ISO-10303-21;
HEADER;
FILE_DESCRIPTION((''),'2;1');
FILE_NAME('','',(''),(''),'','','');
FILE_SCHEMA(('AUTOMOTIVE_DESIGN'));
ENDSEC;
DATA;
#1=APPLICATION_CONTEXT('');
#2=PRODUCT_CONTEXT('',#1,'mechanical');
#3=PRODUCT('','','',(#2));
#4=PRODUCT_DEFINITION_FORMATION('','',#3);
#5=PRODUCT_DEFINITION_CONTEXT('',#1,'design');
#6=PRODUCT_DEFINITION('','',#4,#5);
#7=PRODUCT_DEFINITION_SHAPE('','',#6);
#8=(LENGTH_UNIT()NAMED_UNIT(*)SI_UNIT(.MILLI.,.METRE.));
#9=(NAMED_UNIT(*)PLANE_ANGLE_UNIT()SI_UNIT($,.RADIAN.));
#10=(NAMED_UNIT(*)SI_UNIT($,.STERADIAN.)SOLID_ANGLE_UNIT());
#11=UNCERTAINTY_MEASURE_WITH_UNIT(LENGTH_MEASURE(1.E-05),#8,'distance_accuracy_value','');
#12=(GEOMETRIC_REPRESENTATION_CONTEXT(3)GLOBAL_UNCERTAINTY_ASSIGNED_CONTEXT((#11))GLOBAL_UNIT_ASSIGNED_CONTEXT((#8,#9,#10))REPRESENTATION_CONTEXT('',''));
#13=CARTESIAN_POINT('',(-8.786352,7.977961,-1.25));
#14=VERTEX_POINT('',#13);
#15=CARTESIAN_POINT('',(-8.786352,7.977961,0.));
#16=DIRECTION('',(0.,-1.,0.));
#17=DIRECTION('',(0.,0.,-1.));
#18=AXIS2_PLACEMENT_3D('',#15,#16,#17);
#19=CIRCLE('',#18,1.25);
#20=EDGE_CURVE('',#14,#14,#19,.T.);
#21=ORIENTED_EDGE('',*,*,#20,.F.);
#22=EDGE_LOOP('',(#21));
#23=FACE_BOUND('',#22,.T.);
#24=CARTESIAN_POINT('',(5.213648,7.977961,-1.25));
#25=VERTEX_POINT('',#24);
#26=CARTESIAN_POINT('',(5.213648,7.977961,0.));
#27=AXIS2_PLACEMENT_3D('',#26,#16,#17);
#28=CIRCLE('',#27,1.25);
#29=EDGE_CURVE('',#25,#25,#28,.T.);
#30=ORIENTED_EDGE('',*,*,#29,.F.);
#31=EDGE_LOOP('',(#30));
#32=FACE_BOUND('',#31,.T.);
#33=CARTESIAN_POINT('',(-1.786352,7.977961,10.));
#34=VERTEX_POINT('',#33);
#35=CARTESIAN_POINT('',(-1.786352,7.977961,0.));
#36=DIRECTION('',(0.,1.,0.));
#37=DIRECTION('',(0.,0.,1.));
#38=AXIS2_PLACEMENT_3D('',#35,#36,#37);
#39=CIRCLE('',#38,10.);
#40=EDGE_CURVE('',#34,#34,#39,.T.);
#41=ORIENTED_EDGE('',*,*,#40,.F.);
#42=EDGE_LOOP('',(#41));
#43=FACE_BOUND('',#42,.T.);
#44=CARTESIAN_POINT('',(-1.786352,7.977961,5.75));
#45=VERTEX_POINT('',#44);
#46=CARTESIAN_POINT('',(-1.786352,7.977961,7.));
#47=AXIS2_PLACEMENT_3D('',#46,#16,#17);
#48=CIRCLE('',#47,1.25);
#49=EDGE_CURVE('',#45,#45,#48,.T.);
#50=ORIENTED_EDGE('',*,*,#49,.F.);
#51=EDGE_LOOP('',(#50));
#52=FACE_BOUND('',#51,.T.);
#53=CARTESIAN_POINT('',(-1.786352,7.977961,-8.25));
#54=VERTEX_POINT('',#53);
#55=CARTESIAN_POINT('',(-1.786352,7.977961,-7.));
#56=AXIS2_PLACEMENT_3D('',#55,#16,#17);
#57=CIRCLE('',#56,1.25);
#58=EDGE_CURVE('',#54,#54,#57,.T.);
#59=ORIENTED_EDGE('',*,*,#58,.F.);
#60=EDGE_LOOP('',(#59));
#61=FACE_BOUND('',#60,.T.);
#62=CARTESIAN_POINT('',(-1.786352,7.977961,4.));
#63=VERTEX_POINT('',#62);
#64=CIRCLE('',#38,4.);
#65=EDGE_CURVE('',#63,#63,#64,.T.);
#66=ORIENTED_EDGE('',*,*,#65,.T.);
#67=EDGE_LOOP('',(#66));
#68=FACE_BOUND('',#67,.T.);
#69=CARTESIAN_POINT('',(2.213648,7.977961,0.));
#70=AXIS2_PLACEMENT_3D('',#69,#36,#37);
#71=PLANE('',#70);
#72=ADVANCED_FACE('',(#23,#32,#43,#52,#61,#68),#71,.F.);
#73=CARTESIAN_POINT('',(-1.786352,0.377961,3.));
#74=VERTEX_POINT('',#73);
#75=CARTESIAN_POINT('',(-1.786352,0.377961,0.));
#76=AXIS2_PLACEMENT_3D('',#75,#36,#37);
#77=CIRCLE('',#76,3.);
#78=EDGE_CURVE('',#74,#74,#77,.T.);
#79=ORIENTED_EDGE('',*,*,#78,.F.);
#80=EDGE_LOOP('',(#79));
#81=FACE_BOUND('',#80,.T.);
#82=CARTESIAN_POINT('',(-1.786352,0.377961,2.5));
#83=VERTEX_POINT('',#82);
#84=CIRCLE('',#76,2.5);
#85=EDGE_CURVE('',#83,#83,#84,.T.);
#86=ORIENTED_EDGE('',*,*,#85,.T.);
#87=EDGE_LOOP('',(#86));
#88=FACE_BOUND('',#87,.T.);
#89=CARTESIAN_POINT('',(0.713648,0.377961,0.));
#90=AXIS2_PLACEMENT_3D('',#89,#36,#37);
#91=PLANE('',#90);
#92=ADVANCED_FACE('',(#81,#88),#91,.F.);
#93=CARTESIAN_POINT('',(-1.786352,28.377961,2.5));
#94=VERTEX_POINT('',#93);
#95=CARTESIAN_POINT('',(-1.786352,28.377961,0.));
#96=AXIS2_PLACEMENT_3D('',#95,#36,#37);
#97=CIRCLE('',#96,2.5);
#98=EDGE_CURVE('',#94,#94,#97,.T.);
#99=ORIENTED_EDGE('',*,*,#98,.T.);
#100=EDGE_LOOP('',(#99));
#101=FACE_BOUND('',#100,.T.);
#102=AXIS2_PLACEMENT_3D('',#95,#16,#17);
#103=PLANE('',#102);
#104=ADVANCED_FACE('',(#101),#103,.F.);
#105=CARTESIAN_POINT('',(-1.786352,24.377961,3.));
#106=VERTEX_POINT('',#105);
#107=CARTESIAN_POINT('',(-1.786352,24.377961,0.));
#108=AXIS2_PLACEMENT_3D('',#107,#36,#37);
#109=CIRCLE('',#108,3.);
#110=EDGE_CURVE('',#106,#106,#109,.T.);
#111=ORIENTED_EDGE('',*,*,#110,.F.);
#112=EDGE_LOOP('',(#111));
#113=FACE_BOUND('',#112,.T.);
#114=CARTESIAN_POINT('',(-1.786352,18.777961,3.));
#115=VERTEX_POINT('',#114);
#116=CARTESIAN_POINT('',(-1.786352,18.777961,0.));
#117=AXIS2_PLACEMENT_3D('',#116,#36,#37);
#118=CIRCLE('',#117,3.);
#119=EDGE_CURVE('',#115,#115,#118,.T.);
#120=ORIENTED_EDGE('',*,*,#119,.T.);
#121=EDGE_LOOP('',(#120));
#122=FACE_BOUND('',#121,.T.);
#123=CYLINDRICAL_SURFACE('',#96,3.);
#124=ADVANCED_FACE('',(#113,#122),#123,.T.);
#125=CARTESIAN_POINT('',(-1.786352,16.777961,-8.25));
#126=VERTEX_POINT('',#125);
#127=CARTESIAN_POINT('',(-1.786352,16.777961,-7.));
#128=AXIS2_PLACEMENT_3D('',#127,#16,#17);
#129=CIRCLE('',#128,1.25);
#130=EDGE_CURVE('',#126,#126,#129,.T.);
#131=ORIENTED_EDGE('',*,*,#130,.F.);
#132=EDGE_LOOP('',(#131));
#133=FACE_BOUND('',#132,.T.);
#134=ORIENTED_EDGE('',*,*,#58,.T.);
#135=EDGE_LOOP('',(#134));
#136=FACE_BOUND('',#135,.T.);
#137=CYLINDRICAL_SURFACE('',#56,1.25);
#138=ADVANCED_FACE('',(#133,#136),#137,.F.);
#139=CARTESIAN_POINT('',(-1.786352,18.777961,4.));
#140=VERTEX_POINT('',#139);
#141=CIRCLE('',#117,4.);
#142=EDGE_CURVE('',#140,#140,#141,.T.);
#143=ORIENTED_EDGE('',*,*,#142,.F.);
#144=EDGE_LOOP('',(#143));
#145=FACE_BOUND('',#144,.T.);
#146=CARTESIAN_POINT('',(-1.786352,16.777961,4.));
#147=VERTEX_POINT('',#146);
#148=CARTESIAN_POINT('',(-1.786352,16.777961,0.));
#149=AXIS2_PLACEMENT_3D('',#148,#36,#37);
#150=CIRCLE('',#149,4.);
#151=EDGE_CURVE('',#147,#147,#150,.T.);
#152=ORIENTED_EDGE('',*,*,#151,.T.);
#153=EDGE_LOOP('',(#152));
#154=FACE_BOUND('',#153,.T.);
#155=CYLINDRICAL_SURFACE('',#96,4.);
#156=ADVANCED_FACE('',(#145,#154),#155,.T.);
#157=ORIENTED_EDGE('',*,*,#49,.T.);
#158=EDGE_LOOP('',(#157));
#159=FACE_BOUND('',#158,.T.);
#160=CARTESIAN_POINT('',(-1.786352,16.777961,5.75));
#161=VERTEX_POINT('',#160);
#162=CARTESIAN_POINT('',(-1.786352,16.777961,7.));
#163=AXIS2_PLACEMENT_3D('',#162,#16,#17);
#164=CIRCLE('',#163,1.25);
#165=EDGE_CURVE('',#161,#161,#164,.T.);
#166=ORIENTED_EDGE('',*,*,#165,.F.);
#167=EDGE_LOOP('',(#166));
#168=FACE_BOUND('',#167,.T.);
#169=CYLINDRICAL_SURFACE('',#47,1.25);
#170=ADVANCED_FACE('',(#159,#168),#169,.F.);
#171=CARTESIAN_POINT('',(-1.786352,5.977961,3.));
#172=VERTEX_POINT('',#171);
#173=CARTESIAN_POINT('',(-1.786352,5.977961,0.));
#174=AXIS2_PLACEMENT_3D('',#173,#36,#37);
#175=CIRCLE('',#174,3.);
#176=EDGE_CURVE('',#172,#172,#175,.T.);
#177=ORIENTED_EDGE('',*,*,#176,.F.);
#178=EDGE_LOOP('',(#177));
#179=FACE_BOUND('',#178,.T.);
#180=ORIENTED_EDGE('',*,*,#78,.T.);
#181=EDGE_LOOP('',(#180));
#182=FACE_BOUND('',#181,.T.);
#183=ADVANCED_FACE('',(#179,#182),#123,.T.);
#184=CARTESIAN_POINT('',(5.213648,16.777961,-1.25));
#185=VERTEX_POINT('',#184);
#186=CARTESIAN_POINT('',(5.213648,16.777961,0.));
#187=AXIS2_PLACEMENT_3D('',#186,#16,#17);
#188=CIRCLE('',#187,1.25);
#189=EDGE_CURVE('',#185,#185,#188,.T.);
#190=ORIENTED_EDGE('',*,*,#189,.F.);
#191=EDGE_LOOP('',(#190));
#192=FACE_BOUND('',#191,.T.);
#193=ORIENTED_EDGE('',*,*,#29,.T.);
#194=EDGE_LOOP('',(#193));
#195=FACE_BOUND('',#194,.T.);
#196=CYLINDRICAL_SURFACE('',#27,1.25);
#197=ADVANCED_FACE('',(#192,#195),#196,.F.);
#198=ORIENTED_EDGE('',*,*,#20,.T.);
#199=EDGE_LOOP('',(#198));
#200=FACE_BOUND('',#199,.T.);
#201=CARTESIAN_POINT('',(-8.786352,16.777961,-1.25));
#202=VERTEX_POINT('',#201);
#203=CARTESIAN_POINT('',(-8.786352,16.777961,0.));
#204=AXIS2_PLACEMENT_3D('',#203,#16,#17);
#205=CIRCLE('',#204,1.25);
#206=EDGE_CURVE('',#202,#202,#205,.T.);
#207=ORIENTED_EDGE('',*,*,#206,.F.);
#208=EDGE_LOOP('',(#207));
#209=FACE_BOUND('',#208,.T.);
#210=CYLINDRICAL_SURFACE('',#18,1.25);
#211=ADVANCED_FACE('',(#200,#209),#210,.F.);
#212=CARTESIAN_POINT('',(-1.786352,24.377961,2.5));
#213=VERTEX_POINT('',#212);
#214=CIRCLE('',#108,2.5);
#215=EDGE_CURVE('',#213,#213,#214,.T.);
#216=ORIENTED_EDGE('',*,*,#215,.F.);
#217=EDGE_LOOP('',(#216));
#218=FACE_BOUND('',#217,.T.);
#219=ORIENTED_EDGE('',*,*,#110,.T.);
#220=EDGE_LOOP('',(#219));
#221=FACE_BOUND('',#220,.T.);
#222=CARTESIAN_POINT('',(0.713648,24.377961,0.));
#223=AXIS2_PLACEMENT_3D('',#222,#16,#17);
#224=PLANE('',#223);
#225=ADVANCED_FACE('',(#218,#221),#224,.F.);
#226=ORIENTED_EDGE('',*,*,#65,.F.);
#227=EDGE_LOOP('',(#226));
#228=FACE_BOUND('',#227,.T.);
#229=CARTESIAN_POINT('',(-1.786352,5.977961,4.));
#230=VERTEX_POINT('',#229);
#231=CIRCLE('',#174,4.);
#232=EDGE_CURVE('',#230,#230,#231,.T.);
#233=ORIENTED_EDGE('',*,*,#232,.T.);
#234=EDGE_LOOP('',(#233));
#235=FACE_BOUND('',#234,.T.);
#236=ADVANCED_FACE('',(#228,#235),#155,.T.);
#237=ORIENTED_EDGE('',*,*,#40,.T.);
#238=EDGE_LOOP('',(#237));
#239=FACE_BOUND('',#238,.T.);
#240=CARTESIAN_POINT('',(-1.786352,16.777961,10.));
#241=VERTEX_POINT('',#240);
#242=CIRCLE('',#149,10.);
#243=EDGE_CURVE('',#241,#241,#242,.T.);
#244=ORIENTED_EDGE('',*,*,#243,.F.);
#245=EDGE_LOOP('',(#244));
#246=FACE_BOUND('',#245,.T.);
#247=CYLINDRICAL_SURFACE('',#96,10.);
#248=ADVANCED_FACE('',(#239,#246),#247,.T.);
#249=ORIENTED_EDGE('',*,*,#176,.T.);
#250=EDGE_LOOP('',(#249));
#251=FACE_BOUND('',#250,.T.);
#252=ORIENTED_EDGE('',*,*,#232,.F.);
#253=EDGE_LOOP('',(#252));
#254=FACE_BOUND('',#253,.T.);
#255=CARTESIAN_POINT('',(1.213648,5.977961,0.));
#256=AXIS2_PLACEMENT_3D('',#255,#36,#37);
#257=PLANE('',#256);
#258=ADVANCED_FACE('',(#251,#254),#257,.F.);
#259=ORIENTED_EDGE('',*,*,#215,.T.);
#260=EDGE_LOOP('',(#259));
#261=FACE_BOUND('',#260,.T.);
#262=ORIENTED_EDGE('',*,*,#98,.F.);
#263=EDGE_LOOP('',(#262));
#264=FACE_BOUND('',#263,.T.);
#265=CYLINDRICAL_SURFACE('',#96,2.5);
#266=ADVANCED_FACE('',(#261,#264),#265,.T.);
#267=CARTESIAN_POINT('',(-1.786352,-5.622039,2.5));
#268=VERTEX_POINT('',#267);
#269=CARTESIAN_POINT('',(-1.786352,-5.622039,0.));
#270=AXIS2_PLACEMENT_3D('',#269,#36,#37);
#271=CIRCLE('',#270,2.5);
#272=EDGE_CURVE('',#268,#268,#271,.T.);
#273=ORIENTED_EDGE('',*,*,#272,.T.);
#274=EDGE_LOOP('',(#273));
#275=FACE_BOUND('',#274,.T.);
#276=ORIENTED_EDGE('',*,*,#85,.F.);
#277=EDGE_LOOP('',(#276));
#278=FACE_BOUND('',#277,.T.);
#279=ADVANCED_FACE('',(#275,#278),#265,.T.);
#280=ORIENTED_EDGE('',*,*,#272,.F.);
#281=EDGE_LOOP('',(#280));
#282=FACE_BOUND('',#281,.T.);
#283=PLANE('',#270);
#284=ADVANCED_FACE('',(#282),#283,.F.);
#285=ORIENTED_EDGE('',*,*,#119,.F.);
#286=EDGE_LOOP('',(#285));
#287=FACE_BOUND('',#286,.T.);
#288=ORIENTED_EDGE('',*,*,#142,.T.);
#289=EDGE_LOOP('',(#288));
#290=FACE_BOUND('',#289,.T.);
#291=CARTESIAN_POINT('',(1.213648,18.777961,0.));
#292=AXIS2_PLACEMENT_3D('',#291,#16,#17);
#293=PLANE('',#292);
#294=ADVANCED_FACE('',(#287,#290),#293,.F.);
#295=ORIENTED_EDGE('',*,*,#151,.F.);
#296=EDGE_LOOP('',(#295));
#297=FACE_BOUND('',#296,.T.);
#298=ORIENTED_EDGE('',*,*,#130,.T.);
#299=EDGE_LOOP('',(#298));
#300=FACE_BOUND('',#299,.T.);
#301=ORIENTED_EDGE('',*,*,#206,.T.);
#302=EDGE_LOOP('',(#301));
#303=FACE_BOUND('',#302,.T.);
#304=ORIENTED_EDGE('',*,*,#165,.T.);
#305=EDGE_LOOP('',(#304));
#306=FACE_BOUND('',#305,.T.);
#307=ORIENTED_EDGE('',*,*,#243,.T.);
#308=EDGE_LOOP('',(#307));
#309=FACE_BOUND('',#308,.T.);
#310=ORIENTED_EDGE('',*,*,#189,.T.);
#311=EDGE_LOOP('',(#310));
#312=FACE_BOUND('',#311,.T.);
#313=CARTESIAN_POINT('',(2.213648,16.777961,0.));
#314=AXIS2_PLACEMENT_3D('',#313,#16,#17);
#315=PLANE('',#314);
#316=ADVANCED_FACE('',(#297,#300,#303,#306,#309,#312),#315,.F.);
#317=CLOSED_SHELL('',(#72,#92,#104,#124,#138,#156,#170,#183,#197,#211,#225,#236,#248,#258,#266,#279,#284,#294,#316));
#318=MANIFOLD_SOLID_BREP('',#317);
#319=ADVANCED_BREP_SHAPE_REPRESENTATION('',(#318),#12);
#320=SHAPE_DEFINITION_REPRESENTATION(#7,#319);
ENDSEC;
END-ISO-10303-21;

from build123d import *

# Parameters (mm, degrees)
HOLE_WIZARD_M3_1_D       = 2.5
PATTERN_CIRCULAR_1_COUNT = 4


with BuildPart() as part:
    # Model → 旋转1 (revolve)
    with BuildSketch(Plane.XY, mode=Mode.PRIVATE) as revolve_1_sk:
        Polygon((-1.786351506, 28.377960803), (-1.786351506, -5.622039197), (0.713648494, -5.622039197), (0.713648494, 0.377960803), (1.213648494, 0.377960803), (1.213648494, 5.977960803), (2.213648494, 5.977960803), (2.213648494, 7.977960803), (8.213648494, 7.977960803), (8.213648494, 16.777960803), (2.213648494, 16.777960803), (2.213648494, 18.777960803), (1.213648494, 18.777960803), (1.213648494, 24.377960803), (0.713648494, 24.377960803), (0.713648494, 28.377960803), align=None)
    revolve(revolve_1_sk.sketch.rotate(Axis((-1.786351506, 28.377960803, 0), (0, -1, 0)), 90), axis=Axis((-1.786351506, 28.377960803, 0), (0, -1, 0)))

    # M3 螺纹孔1 (through all)
    with Locations(Plane(origin=(-1.786351506, 7.977960803, 7), x_dir=(0, 0, -1), z_dir=(0, -1, 0))):
        with Locations((0, 0)):
            hole_wizard_m3_1 = Hole(HOLE_WIZARD_M3_1_D / 2)

    # 阵列(圆周)1: M3 螺纹孔1 ×4 about axis
    pattern_circular_1_axis = Axis((-1.786351506, 0, 0), (0, 1, 0))
    for i in range(1, PATTERN_CIRCULAR_1_COUNT):
        add(hole_wizard_m3_1.rotate(pattern_circular_1_axis, i * 360 / PATTERN_CIRCULAR_1_COUNT), mode=Mode.SUBTRACT)


solid = part.part
